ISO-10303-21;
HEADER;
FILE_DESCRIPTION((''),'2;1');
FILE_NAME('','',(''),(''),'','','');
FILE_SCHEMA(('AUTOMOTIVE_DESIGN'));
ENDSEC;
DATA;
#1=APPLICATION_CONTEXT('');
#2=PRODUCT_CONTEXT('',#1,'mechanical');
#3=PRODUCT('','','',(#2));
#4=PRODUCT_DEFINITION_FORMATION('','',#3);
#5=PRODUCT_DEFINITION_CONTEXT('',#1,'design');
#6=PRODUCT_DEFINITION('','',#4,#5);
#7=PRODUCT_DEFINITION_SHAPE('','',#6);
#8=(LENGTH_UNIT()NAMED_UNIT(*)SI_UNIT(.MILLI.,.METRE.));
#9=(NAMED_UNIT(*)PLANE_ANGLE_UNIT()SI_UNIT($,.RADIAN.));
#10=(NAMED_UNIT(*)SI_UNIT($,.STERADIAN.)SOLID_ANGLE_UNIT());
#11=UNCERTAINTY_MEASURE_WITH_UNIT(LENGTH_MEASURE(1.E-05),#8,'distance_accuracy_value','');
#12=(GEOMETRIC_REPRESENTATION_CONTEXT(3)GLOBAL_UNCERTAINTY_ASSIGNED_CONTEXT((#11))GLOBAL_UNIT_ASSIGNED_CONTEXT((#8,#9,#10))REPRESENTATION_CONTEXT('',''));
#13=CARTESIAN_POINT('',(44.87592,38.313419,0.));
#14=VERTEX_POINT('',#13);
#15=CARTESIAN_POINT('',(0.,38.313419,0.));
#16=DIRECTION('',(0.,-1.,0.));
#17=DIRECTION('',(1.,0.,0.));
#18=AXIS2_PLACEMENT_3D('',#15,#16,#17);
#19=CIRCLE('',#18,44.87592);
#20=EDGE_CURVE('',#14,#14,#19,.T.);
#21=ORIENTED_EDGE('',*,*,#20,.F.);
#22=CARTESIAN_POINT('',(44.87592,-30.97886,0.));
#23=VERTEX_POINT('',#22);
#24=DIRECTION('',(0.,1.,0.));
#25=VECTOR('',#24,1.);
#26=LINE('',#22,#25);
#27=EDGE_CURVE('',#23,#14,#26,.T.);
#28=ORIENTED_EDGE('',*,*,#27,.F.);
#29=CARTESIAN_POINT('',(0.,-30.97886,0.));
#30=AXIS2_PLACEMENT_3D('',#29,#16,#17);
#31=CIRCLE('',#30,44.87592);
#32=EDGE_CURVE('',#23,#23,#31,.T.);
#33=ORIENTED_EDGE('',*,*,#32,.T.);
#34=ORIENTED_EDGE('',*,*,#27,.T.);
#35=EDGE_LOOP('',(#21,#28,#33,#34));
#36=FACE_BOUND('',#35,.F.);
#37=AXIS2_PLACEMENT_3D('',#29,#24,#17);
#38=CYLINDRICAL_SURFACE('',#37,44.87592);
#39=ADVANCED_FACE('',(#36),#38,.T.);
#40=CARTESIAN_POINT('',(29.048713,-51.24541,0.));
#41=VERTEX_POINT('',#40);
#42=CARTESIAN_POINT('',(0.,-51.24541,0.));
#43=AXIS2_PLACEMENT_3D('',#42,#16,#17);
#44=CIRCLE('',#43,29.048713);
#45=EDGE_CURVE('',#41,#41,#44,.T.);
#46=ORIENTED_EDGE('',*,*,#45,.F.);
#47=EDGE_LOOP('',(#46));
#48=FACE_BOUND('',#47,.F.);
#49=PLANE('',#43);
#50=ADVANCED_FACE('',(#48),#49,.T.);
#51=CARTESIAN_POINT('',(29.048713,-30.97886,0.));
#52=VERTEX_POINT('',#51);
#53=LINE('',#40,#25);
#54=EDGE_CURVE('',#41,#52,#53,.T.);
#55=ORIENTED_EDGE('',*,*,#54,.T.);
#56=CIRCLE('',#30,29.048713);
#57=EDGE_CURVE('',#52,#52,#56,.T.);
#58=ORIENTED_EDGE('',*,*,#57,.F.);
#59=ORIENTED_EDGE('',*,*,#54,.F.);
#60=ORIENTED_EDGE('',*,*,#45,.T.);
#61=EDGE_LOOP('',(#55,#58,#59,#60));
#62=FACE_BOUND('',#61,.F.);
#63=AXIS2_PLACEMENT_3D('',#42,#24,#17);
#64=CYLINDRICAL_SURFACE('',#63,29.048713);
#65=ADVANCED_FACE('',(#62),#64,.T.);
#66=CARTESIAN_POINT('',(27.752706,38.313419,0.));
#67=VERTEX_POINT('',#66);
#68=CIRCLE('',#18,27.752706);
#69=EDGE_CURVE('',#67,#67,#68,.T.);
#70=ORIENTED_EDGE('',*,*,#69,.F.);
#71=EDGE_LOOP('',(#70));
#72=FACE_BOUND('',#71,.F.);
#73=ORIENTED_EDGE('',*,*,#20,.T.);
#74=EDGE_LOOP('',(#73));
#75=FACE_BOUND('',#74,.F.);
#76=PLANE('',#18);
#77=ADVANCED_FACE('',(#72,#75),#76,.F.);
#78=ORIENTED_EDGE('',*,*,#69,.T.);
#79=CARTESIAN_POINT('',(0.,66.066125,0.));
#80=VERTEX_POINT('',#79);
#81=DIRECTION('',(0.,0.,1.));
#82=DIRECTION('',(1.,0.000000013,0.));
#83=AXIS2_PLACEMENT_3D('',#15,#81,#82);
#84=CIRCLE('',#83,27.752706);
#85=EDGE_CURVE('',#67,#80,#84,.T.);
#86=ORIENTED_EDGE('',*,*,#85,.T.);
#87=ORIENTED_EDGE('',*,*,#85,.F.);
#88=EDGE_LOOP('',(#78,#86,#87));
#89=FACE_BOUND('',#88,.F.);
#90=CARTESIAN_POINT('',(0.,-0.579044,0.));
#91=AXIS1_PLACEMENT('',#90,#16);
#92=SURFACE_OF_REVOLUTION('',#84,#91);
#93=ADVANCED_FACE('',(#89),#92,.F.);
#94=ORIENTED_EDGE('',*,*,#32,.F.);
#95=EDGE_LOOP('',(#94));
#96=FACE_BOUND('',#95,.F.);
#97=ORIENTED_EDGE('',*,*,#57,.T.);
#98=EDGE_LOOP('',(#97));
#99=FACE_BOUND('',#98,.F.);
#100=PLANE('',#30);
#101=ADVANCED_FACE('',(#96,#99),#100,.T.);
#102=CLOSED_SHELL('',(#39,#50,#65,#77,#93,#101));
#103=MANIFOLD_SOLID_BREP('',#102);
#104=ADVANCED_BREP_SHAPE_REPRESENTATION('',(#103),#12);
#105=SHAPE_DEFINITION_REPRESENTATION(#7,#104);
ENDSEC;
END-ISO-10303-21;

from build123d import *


with BuildPart() as f1:
    # F0 (on Top) → F1 (revolve)
    with BuildSketch(Plane.XY):
        with BuildLine():
            Line((44.87592, 38.313419), (27.752706, 38.313419))
            ThreePointArc((27.752706, 38.313419), (19.624127, 57.937545), (0, 66.066125))
            Line((0, 66.066125), (0, -51.24541))
            Line((0, -51.24541), (29.048713, -51.24541))
            Line((29.048713, -51.24541), (29.048713, -30.97886))
            Line((29.048713, -30.97886), (44.87592, -30.97886))
            Line((44.87592, -30.97886), (44.87592, 38.313419))
        make_face()
    revolve(axis=Axis((0, -0.579044, 0), (0, -1, 0)))


solid = f1.part
